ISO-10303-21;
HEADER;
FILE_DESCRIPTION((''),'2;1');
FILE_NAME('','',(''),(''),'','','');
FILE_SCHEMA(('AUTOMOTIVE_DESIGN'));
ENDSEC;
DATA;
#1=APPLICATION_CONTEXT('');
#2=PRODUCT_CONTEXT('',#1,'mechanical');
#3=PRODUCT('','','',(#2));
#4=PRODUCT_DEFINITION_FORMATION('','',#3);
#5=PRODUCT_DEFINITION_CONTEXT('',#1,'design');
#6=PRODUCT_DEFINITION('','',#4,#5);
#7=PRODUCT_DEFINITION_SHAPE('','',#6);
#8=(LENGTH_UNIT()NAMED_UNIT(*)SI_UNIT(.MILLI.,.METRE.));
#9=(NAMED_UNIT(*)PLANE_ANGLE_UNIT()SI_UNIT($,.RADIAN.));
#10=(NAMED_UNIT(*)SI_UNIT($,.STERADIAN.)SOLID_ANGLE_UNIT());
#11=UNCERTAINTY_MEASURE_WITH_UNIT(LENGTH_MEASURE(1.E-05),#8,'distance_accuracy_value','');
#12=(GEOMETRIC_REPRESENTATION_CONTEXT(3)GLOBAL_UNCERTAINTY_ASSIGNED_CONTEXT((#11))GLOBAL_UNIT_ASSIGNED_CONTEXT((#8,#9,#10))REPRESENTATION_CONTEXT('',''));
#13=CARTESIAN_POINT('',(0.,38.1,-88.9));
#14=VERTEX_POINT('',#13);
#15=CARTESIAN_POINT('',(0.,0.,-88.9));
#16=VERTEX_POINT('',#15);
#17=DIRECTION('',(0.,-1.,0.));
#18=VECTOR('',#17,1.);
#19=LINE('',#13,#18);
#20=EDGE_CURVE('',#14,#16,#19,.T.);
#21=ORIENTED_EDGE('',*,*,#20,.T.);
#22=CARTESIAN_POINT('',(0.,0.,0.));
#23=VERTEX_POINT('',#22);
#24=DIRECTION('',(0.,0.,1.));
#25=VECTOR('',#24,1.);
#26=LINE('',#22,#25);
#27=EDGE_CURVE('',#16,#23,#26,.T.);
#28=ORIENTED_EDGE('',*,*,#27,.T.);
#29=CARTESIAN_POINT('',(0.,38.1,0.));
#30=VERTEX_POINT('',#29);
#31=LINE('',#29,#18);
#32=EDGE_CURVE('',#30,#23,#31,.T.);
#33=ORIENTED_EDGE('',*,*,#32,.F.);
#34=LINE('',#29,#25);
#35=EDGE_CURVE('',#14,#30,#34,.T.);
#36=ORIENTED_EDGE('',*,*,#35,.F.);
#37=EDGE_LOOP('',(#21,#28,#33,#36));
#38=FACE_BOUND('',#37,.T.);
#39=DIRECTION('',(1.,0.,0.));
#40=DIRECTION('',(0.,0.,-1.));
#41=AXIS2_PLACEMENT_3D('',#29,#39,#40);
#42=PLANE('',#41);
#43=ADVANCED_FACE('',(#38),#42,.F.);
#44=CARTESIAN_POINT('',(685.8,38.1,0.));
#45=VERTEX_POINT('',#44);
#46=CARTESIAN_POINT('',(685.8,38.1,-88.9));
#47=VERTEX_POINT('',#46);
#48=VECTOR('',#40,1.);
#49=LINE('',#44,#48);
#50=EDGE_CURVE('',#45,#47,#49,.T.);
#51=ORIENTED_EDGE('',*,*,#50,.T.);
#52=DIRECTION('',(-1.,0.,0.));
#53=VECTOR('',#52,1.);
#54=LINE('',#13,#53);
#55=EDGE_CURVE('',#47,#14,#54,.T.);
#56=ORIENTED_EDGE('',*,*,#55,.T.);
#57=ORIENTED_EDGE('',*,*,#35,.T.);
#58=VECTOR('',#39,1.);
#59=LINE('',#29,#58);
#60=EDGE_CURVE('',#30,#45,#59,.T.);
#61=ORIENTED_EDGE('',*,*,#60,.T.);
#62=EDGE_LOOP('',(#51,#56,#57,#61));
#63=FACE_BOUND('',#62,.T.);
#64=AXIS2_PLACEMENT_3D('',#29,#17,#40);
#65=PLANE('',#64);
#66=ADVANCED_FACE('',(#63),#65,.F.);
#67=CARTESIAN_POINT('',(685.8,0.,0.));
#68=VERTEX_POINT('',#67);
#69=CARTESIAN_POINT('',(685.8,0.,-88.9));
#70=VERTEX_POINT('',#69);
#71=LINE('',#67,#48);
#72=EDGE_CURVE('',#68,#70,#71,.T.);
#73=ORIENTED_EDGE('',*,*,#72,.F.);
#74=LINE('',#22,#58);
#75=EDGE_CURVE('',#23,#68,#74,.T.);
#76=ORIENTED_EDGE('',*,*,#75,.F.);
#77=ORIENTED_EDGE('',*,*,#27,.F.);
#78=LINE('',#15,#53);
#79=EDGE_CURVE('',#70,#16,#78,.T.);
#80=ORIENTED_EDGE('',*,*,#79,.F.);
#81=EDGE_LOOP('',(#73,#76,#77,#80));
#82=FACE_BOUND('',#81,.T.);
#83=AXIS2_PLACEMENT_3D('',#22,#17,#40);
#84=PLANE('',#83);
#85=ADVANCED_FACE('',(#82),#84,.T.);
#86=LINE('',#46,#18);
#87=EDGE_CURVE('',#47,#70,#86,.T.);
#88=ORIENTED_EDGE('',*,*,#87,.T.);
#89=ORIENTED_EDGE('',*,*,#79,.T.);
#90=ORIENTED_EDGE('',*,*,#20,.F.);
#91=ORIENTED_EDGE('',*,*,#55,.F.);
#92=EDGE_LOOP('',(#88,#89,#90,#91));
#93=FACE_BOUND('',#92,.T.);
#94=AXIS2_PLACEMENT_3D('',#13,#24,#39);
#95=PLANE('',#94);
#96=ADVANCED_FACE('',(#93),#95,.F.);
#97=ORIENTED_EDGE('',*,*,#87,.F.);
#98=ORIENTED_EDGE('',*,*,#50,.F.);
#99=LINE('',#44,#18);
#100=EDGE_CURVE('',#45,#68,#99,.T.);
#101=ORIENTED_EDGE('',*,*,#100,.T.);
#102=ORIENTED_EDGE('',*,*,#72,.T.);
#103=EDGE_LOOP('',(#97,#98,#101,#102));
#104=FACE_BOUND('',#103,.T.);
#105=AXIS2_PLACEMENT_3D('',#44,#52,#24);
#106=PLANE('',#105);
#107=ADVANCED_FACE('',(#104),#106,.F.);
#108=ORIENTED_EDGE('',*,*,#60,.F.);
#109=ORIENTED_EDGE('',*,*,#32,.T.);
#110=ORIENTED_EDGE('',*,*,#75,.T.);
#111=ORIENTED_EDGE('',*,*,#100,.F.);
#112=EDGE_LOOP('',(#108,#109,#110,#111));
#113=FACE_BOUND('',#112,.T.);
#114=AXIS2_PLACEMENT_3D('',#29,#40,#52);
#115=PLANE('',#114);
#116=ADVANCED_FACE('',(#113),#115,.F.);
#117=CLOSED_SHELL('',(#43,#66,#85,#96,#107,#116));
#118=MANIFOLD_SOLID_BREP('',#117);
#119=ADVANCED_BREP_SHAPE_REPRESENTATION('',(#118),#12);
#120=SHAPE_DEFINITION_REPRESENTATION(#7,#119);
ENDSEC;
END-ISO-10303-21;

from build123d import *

# Parameters (mm, degrees)
SKETCH1_W           = 685.8
SKETCH1_H           = 88.9
BOSS_EXTRUDE1_DEPTH = 38.1


with BuildPart() as part:
    # Sketch1 → Boss-Extrude1 (new body)
    with BuildSketch(Plane(origin=(0, 0, 0), x_dir=(1, 0, 0), z_dir=(0, 1, 0))):
        with Locations((342.9, 44.45)):
            Rectangle(SKETCH1_W, SKETCH1_H)
    extrude(amount=BOSS_EXTRUDE1_DEPTH)


solid = part.part
